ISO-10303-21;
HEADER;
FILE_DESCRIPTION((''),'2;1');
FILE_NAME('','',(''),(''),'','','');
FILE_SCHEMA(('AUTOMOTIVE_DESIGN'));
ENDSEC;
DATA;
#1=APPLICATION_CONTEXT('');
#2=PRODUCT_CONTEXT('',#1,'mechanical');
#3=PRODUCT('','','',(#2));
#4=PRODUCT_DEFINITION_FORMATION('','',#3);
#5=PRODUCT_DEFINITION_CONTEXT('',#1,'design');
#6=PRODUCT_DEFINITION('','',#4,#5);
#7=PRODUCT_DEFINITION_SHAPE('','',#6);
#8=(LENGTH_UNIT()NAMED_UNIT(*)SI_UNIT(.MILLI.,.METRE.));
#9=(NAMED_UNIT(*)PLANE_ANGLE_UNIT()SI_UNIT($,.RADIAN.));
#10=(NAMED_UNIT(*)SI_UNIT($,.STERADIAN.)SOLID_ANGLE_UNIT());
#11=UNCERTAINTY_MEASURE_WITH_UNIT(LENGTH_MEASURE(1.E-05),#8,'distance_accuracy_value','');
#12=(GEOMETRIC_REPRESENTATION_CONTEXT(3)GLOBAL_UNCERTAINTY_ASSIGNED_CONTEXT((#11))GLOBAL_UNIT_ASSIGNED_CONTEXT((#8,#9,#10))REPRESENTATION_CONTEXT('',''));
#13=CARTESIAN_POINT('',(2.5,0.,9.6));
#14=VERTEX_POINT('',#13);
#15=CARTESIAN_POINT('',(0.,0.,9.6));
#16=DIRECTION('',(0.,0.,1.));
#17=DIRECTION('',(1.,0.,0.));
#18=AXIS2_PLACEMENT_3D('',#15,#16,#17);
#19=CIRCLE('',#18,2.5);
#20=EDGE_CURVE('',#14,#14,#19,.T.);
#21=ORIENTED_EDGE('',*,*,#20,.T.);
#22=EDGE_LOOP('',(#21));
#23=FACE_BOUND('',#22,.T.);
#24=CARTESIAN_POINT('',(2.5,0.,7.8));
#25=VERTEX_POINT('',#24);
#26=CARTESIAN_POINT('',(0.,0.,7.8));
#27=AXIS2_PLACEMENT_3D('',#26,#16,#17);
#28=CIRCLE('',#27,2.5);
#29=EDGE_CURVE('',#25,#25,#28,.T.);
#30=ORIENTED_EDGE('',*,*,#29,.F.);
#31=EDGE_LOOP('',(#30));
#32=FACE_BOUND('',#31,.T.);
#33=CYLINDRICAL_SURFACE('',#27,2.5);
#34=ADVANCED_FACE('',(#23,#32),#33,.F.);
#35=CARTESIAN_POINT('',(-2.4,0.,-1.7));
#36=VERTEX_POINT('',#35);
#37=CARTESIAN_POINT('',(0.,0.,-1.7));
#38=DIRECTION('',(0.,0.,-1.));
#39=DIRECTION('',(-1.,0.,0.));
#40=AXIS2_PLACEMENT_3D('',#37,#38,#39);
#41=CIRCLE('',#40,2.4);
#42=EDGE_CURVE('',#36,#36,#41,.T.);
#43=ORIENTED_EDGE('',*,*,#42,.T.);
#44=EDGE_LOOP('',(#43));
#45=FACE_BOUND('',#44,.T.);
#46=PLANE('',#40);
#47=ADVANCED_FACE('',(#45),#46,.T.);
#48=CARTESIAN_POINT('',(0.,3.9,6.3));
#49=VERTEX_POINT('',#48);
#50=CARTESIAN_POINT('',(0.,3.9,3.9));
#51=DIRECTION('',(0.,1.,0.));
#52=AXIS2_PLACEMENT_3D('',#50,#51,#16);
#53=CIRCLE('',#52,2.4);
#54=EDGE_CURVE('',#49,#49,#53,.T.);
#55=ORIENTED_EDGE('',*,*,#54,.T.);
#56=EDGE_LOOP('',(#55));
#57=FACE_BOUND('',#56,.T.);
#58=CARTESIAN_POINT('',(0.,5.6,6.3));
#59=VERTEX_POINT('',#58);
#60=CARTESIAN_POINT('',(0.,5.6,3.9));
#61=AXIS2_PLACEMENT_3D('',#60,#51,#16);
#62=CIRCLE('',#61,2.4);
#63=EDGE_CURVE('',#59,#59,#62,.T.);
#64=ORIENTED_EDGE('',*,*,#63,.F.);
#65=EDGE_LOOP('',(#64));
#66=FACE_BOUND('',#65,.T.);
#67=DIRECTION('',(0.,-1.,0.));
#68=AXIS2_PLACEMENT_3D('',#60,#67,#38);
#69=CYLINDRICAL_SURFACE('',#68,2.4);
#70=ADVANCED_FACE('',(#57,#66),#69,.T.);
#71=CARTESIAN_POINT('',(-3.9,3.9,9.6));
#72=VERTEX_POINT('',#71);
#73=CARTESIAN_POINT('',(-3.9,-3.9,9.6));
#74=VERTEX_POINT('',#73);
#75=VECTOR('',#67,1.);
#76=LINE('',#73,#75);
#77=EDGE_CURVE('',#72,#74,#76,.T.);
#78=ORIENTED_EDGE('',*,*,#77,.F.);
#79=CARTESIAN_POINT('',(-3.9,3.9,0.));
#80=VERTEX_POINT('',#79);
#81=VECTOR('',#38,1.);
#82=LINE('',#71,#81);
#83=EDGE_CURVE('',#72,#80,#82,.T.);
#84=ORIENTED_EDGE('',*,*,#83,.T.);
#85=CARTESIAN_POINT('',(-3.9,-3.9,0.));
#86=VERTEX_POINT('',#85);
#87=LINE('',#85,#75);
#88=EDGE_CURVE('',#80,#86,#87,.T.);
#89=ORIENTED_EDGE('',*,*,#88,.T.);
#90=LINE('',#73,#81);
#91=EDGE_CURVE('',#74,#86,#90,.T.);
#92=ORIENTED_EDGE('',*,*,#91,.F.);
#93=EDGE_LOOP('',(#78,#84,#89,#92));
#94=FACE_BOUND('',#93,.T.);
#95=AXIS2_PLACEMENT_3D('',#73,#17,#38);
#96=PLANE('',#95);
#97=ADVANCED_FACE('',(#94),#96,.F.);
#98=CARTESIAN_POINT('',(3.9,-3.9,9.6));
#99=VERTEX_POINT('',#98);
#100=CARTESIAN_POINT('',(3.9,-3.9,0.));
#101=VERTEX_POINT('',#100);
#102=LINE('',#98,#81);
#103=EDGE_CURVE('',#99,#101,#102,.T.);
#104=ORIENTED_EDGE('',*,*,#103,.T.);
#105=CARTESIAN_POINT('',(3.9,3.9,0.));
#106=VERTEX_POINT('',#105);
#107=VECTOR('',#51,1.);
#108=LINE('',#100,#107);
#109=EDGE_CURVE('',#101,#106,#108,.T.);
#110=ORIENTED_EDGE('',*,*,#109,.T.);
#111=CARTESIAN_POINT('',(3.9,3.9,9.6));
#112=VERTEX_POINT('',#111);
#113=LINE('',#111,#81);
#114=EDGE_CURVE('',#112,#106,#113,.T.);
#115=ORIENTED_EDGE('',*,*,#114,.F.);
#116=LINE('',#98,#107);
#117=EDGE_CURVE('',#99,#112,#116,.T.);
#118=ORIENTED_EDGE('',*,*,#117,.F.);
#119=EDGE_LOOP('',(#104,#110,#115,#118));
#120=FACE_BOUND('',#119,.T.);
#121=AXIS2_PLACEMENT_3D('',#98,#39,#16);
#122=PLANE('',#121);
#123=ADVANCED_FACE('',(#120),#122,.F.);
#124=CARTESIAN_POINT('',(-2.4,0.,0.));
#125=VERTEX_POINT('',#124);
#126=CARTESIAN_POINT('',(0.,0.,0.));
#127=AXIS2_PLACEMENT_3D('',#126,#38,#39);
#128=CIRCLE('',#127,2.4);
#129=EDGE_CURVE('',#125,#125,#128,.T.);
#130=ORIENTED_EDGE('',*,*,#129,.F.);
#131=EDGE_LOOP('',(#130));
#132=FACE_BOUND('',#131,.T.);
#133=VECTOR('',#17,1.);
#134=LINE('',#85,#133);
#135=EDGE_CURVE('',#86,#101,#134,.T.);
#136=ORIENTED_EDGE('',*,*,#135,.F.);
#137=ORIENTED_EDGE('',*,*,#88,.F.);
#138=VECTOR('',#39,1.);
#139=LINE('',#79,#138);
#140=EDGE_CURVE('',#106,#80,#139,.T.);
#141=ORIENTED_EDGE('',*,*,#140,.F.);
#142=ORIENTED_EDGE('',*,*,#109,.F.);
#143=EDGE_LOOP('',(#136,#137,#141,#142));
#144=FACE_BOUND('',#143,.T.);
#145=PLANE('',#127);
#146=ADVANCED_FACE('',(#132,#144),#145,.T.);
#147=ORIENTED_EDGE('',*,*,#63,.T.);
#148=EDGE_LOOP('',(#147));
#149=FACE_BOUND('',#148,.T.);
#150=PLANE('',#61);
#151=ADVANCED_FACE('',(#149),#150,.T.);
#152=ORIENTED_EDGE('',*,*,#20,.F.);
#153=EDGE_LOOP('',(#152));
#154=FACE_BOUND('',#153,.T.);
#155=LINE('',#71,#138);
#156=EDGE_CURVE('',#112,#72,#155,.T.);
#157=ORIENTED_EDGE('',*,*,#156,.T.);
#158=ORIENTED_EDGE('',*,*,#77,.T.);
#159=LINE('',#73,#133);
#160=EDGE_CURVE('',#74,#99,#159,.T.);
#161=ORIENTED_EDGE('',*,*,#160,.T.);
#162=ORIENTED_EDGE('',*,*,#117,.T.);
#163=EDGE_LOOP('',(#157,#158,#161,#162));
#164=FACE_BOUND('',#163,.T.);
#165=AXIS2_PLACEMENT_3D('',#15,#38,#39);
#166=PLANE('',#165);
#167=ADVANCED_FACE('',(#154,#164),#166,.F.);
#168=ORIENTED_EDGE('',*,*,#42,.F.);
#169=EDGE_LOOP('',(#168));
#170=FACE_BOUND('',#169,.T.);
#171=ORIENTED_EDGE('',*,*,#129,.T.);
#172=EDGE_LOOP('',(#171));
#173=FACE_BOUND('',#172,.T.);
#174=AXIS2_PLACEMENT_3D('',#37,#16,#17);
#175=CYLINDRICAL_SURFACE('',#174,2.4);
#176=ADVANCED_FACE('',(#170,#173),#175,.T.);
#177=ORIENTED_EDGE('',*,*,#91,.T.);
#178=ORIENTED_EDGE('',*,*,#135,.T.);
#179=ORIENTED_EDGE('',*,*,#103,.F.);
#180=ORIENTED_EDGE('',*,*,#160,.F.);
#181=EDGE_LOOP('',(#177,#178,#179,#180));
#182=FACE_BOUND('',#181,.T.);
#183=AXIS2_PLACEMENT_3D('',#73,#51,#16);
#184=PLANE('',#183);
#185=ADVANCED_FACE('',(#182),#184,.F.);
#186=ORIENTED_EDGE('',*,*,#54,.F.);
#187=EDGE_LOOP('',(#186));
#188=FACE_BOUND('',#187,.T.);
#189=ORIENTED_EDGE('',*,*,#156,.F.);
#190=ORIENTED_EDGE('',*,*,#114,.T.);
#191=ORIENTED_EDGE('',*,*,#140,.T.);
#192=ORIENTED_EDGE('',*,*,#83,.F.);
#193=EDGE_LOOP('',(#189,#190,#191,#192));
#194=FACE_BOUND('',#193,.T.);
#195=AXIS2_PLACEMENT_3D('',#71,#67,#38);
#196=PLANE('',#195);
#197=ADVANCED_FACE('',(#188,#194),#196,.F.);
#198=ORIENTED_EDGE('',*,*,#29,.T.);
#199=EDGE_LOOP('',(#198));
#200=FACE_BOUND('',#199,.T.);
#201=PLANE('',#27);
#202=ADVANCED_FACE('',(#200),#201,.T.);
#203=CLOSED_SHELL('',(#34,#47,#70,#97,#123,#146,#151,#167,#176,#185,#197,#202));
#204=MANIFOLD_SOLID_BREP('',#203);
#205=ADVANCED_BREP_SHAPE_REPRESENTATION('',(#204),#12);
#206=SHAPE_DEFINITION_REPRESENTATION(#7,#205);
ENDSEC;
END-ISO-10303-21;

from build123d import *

# Parameters (mm, degrees)
SKETCH_1_W          = 7.8
SKETCH_1_H          = 7.8
EXTRUDE_1_DEPTH     = 9.6
SKETCH_2_R          = 2.4
EXTRUDE_2_DEPTH     = 1.7
SKETCH_3_R          = 2.5
CUT_EXTRUDE_1_DEPTH = 1.8
SKETCH_5_R          = 2.4
EXTRUDE_3_DEPTH     = 1.7


with BuildPart() as part:
    # Эскиз1 → Бобышка-Вытянуть1 (new body)
    with BuildSketch(Plane.XY):
        Rectangle(SKETCH_1_W, SKETCH_1_H)
    extrude(amount=EXTRUDE_1_DEPTH)

    # Эскиз2 → Бобышка-Вытянуть2 (add)
    with BuildSketch(Plane(origin=(0, 0, 0), x_dir=(-1, 0, 0), z_dir=(0, 0, -1))):
        Circle(SKETCH_2_R)
    extrude(amount=EXTRUDE_2_DEPTH)

    # Эскиз3 → Вырез-Вытянуть1 (cut)
    with BuildSketch(Plane.XY.offset(9.6)):
        Circle(SKETCH_3_R)
    extrude(amount=-CUT_EXTRUDE_1_DEPTH, mode=Mode.SUBTRACT)

    # Эскиз5 → Бобышка-Вытянуть3 (add)
    with BuildSketch(Plane(origin=(0, 3.9, 0), x_dir=(1, 0, 0), z_dir=(0, 1, 0))):
        with Locations(Location((0, -3.9, 0), (0, 0, 270))):
            Circle(SKETCH_5_R)
    extrude(amount=EXTRUDE_3_DEPTH)


solid = part.part
